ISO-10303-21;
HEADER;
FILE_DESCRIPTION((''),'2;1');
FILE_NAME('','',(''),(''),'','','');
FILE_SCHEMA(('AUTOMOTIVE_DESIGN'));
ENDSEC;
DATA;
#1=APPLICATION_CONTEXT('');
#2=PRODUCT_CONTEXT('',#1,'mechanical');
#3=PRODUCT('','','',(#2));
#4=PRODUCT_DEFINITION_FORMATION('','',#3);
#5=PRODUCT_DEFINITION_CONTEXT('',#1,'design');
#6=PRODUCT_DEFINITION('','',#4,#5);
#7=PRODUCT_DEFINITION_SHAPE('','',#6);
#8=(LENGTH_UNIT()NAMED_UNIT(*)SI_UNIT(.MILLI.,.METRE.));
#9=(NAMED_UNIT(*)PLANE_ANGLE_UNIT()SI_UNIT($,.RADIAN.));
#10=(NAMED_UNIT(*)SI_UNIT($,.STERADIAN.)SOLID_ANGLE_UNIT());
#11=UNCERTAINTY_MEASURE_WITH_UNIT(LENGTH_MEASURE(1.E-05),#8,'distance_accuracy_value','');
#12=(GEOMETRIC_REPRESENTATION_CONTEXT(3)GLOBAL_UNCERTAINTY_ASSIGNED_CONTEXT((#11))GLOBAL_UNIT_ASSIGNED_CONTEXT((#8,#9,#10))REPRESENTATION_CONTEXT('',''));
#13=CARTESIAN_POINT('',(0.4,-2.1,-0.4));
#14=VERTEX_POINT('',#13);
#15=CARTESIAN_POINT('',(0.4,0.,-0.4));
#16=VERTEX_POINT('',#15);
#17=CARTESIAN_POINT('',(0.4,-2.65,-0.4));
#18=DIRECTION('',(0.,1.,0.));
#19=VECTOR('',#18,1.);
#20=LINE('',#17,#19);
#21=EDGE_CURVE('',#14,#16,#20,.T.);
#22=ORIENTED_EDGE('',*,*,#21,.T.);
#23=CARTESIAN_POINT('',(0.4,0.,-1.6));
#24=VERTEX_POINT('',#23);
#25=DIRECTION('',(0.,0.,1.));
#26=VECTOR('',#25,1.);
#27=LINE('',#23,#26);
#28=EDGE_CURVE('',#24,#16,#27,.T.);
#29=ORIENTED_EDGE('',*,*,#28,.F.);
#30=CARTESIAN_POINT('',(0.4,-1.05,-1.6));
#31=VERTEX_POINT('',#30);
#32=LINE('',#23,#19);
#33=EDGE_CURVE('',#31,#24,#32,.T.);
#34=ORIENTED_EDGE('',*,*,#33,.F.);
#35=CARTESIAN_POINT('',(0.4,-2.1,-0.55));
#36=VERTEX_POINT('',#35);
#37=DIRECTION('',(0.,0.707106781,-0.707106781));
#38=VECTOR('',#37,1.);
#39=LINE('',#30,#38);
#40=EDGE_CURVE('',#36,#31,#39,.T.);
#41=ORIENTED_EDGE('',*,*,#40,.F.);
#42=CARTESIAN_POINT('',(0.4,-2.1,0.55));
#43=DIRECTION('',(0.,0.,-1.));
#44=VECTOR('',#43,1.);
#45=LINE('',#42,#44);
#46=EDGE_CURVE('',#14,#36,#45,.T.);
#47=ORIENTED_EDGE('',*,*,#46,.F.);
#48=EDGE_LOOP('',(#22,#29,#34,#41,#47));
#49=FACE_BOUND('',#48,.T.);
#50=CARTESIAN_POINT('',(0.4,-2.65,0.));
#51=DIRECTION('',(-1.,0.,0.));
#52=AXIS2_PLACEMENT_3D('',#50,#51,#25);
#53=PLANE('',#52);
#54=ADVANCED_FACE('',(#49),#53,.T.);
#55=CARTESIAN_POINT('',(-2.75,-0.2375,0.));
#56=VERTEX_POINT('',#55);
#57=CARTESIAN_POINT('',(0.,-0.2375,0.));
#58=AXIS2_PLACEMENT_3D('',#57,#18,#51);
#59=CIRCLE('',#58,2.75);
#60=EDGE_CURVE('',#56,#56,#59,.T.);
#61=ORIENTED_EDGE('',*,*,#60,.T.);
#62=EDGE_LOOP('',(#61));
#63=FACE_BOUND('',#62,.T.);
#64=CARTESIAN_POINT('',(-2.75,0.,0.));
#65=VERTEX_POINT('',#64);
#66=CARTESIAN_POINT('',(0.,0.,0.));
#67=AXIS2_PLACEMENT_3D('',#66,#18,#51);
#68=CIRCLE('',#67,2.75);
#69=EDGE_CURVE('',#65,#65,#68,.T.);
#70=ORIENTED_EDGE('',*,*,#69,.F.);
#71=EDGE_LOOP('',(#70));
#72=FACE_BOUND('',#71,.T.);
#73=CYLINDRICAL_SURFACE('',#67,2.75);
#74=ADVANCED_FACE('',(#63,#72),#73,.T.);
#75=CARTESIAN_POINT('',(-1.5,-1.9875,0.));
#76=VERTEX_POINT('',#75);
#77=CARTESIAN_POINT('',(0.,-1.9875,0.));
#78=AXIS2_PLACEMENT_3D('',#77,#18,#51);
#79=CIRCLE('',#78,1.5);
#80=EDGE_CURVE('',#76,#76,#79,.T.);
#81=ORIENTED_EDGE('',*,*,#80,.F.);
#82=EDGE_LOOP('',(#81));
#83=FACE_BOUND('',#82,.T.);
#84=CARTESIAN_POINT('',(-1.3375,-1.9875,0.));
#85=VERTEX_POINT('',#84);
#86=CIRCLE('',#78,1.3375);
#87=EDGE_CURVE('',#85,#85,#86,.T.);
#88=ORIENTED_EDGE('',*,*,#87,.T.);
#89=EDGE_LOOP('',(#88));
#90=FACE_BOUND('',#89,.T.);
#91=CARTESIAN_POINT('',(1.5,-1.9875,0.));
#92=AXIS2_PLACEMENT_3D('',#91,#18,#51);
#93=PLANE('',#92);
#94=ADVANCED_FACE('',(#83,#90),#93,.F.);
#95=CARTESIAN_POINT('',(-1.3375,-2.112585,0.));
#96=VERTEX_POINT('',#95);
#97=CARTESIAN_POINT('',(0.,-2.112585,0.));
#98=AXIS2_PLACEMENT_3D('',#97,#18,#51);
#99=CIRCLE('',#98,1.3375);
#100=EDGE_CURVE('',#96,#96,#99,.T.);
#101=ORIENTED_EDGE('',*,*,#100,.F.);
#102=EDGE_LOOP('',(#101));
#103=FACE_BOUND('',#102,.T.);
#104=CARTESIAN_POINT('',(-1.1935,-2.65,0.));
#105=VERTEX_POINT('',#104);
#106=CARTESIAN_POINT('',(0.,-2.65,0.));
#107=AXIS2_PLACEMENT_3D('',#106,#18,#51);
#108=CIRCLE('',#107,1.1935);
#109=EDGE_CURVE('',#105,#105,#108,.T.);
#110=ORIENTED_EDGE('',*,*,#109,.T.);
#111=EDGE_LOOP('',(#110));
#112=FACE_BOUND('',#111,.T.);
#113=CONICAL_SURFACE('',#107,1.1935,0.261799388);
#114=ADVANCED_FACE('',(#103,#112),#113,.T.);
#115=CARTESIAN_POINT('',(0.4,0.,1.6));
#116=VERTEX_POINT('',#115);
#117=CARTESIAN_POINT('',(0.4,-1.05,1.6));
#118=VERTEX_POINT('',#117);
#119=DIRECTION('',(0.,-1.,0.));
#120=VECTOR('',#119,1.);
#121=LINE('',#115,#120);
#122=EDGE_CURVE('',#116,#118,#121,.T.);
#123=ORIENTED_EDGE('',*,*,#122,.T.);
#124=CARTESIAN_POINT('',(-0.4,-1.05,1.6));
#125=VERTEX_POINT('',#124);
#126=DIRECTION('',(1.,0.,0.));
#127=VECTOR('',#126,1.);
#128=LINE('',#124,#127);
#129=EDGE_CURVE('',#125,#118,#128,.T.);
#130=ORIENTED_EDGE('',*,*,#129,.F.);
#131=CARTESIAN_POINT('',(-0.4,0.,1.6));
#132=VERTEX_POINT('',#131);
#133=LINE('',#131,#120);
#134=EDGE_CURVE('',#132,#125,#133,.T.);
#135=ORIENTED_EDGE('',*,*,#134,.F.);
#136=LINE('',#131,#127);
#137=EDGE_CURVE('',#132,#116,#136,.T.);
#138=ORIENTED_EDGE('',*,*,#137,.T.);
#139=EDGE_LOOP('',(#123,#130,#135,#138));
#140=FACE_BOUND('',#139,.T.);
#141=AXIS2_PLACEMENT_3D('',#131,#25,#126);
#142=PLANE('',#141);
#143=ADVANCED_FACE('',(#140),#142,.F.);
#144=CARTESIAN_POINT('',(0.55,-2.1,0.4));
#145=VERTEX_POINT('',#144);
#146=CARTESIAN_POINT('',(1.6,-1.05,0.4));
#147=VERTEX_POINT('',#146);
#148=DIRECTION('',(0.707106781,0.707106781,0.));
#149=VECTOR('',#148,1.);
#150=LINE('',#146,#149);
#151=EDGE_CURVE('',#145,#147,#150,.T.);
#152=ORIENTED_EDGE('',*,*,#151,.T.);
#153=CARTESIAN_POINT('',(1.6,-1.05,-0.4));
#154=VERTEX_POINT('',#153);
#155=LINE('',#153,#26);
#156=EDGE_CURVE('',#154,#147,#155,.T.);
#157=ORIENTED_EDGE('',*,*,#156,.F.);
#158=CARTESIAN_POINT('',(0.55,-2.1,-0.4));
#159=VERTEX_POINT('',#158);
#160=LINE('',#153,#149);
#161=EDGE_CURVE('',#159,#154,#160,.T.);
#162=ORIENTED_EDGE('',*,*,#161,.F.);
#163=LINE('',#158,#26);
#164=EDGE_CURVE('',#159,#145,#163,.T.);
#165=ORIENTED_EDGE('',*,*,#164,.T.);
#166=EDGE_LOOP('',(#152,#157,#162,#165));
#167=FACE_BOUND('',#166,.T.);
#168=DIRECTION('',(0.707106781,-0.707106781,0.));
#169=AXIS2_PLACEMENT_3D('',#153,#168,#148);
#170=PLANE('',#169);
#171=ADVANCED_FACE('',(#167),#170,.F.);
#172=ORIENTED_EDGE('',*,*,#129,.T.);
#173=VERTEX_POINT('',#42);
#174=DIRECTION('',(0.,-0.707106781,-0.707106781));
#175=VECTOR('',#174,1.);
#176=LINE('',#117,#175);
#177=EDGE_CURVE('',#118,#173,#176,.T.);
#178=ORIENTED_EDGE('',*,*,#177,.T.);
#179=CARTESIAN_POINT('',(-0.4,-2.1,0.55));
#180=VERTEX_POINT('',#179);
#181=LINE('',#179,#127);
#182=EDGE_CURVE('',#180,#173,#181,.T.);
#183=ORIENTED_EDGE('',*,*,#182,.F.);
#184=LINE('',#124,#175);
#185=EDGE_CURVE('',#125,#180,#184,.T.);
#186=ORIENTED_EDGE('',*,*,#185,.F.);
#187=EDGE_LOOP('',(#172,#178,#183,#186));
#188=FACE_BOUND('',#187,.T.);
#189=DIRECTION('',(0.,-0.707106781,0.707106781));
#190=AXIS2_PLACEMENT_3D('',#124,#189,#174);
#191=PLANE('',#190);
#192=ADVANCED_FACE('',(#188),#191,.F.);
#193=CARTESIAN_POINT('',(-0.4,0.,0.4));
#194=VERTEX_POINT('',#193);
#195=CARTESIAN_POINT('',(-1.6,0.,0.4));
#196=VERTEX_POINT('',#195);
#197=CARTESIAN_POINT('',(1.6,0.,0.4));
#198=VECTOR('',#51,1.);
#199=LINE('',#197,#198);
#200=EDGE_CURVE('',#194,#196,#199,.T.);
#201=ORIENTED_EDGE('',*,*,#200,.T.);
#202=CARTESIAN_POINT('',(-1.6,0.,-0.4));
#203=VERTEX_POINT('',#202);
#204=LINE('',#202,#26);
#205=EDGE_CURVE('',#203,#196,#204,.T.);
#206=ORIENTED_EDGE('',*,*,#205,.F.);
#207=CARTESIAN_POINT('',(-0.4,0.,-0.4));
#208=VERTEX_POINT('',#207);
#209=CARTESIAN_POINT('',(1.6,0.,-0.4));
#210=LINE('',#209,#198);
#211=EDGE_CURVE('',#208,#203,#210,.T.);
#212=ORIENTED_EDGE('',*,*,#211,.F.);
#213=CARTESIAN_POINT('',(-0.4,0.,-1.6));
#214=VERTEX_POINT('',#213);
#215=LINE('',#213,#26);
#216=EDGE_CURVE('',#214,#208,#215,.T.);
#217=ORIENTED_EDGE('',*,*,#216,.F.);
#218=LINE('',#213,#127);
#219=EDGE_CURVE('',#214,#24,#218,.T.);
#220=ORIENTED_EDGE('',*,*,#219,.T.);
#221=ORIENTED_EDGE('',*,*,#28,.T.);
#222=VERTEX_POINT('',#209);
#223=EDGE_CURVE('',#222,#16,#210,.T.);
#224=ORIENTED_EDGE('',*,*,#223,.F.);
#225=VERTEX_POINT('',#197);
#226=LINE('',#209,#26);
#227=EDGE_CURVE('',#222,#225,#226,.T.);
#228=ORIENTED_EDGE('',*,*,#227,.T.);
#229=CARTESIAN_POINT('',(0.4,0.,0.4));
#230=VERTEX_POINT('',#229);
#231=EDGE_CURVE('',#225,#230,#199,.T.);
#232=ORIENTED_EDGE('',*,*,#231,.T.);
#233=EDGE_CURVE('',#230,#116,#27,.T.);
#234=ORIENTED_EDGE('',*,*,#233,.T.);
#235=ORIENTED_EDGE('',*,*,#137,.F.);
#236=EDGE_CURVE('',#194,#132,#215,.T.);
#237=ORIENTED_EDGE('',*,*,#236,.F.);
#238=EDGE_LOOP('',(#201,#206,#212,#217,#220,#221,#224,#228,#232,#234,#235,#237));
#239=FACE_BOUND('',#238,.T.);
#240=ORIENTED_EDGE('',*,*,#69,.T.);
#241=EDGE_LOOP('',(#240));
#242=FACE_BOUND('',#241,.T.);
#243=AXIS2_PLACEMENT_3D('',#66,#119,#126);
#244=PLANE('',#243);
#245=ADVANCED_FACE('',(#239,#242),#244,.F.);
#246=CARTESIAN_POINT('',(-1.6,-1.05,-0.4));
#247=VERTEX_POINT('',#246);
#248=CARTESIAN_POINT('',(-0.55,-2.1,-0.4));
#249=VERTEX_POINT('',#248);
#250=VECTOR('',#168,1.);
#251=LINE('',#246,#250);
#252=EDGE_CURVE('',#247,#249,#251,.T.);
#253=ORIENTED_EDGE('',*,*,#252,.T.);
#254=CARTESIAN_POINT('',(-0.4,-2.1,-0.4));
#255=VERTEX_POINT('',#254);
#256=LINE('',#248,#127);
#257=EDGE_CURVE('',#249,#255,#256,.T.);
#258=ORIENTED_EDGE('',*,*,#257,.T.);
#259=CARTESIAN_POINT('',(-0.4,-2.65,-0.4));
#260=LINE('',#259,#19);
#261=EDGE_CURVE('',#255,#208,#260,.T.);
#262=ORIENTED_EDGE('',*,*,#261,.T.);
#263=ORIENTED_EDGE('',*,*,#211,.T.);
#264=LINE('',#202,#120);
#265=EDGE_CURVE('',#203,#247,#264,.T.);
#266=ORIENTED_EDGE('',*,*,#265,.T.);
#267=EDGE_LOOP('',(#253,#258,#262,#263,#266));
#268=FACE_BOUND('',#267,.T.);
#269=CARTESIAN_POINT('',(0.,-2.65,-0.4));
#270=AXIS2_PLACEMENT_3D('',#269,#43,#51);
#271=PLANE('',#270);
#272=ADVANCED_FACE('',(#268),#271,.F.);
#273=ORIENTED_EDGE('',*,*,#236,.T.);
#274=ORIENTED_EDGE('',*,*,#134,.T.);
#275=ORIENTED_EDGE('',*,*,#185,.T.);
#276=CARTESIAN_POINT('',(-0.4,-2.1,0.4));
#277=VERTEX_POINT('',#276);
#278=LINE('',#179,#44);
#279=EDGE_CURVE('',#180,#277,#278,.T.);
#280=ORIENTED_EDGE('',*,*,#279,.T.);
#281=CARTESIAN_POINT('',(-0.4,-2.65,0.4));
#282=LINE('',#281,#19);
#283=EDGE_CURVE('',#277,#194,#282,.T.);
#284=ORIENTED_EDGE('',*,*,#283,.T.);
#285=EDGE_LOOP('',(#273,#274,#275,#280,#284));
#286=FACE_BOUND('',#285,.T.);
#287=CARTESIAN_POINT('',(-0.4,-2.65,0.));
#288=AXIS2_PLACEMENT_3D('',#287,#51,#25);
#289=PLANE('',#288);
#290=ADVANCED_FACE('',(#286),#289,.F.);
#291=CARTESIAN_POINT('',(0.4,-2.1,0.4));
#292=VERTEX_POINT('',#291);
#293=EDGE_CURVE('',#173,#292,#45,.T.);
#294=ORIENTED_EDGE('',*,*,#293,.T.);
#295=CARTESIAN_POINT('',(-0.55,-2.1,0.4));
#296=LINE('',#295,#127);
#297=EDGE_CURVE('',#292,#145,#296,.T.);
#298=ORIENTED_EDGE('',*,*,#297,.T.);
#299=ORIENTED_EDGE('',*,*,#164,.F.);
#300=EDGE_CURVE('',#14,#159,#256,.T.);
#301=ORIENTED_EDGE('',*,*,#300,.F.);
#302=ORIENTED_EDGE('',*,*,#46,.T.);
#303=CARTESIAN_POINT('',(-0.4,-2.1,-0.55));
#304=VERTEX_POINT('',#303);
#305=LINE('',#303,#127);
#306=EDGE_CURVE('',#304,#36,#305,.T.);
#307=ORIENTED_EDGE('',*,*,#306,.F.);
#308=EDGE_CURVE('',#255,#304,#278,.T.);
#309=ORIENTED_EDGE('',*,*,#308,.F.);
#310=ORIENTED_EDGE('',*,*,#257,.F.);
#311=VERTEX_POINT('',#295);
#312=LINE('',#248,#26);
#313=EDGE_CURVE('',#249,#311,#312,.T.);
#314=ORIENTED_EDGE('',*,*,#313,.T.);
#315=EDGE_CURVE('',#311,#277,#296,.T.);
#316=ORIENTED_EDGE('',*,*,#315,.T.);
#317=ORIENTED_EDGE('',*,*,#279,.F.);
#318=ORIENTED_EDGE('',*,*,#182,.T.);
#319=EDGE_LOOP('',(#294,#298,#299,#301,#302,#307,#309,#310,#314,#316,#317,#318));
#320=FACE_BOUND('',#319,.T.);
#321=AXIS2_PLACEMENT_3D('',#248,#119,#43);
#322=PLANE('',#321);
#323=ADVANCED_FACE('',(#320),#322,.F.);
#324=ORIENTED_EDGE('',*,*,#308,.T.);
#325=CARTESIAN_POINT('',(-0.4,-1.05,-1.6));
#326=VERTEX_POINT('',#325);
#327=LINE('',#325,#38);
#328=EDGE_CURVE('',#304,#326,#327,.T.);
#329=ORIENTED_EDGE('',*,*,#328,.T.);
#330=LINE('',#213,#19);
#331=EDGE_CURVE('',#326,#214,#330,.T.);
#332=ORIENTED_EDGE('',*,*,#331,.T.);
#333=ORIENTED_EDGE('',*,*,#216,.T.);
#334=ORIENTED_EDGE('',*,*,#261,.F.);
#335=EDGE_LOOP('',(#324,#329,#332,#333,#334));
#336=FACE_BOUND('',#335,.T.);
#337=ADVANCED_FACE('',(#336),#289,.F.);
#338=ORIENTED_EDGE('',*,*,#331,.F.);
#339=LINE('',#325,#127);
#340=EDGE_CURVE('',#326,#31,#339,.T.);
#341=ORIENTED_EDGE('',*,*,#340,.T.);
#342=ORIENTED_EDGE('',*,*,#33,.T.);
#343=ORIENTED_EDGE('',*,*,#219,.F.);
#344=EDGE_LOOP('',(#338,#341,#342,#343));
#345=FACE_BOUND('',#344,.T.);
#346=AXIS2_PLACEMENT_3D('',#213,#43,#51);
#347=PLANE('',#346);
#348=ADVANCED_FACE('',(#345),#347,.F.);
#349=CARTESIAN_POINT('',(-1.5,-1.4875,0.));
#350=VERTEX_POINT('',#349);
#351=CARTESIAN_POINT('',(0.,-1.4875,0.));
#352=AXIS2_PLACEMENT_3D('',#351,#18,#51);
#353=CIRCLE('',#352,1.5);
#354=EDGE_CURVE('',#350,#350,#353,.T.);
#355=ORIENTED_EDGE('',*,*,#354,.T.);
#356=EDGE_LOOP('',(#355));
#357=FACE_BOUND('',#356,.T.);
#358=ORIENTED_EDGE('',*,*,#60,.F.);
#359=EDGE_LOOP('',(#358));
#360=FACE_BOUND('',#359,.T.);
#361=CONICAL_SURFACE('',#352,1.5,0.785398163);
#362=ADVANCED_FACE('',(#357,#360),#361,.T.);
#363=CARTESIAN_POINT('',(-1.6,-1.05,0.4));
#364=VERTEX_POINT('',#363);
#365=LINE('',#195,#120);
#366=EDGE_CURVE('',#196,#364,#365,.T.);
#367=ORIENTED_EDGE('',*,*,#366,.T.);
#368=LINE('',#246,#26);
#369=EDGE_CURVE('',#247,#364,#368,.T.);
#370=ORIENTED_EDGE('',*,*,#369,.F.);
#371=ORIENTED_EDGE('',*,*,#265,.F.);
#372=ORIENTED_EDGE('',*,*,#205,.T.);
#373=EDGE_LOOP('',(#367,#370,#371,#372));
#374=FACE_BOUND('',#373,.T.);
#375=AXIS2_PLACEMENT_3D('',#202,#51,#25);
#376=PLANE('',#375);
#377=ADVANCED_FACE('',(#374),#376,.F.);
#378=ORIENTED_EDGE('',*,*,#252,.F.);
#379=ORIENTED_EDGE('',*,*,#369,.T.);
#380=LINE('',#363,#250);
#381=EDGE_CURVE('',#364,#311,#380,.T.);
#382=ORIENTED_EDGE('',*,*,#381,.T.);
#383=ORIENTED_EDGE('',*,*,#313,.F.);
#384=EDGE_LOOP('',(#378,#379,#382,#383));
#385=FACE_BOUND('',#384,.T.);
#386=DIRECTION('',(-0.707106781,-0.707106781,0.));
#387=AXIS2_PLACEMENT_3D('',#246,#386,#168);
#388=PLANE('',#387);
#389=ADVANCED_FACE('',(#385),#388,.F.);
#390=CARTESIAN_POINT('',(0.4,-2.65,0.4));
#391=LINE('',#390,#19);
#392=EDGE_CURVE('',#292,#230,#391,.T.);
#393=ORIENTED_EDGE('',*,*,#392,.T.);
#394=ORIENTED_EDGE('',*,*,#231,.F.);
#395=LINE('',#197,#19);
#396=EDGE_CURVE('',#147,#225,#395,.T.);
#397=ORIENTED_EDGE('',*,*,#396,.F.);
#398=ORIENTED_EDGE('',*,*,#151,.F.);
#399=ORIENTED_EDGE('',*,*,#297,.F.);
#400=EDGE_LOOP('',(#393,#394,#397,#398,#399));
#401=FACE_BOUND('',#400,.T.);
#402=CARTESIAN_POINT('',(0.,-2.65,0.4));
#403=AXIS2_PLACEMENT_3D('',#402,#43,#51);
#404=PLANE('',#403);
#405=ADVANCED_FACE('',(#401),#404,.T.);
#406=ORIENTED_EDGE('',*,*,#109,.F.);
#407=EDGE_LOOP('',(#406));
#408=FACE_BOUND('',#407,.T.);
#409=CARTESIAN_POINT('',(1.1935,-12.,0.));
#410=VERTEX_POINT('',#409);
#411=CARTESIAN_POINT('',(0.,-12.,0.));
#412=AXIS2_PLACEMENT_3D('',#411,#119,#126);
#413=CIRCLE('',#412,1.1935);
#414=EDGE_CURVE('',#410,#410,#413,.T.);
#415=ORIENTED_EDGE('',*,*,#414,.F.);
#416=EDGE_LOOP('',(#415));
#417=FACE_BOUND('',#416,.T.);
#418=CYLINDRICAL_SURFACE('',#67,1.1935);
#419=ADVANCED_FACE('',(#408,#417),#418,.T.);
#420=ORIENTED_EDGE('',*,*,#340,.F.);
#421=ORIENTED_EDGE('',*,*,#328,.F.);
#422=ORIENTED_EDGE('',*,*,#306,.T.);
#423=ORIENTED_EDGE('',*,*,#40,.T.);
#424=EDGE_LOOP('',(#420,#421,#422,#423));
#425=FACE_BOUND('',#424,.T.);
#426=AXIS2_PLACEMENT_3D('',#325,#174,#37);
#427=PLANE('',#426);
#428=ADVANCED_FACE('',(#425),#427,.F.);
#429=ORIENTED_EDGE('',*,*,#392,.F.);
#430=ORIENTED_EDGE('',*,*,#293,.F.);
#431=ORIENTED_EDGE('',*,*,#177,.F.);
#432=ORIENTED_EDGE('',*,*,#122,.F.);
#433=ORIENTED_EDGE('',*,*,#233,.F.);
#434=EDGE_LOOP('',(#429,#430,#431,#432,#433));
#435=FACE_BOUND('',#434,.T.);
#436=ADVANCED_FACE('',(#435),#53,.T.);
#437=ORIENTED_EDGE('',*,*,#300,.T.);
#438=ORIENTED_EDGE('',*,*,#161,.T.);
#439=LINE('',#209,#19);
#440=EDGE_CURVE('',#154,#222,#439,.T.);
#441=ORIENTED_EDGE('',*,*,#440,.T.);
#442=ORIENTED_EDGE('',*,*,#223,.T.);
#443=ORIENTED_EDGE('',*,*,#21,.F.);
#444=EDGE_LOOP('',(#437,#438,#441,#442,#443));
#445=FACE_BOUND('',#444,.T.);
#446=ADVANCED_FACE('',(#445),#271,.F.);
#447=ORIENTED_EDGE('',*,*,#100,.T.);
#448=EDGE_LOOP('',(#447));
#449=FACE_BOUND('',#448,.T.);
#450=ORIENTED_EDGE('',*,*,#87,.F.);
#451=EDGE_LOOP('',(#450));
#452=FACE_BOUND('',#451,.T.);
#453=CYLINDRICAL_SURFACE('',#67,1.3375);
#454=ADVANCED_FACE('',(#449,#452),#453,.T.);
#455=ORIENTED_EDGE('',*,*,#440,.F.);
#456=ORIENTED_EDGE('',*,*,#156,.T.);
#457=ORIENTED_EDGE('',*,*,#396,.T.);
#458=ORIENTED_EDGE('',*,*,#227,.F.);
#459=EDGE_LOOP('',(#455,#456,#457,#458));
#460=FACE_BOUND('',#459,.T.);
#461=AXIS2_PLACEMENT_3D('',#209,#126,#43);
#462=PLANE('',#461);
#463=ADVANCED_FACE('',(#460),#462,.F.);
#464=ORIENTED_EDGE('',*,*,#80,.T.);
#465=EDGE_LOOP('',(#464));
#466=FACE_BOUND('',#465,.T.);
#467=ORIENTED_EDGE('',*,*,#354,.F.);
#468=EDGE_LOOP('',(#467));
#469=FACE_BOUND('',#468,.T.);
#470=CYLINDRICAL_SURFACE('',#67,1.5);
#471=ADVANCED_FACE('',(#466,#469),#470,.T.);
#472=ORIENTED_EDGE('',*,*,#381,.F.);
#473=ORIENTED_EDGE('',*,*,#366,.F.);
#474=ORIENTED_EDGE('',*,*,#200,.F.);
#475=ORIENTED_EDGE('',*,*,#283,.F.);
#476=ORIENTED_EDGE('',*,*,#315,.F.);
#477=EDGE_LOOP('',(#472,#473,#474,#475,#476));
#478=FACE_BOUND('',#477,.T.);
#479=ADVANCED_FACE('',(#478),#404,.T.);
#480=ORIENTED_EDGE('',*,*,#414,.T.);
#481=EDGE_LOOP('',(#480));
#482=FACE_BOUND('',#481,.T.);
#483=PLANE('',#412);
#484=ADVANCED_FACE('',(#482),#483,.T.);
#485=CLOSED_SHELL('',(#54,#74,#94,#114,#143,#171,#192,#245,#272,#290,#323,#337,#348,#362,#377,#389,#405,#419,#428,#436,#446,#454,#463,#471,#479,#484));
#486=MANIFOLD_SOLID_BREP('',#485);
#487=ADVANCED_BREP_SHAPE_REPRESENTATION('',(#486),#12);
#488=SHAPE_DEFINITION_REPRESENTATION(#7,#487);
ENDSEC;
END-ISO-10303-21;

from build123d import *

# Parameters (mm, degrees)
KREUZSCHLITZ1_H_DEPTH      = 0.4
KREUZSCHLITZ1_H_DEPTH_BACK = 0.4
KREUZSCHLITZ2_H_DEPTH      = 0.4
KREUZSCHLITZ2_H_DEPTH_BACK = 0.4
BOSS_EXTRUDE1_START        = 4
SKETCH1_R                  = 1.1935
BOSS_EXTRUDE1_DEPTH        = 4


with BuildPart() as part:
    # Skizze1 → Basis-Rotation (revolve)
    with BuildSketch(Plane.XY, mode=Mode.PRIVATE) as basis_rotation_sk:
        Polygon((0, 0), (2.75, 0), (2.75, -0.2375), (1.5, -1.4875), (1.5, -1.9875), (1.3375, -1.9875), (1.3375, -2.112584684), (1.1935, -2.65), (1.1935, -8), (0, -8), align=None)
    revolve(basis_rotation_sk.sketch.rotate(Axis((0, 0, 0), (0, -1, 0)), 180), axis=Axis((0, 0, 0), (0, -1, 0)))

    # Skizze2 → Kreuzschlitz1 H (cut, two sides: drawn at the far end of the back side and taken through both)
    with BuildSketch(Plane.XY.offset(-KREUZSCHLITZ1_H_DEPTH_BACK)):
        Polygon((-0.55, -2.1), (0.55, -2.1), (1.6, -1.05), (1.6, 0), (-1.6, 0), (-1.6, -1.05), align=None)
    extrude(amount=KREUZSCHLITZ1_H_DEPTH + KREUZSCHLITZ1_H_DEPTH_BACK, mode=Mode.SUBTRACT)

    # Skizze3 → Kreuzschlitz2 H (cut, two sides: drawn at the far end of the back side and taken through both)
    with BuildSketch(Plane(origin=(0, 0, 0), x_dir=(0, 0, -1), z_dir=(1, 0, 0)).offset(-KREUZSCHLITZ2_H_DEPTH_BACK)):
        Polygon((-0.55, -2.1), (0.55, -2.1), (1.6, -1.05), (1.6, 0), (-1.6, 0), (-1.6, -1.05), align=None)
    extrude(amount=KREUZSCHLITZ2_H_DEPTH + KREUZSCHLITZ2_H_DEPTH_BACK, mode=Mode.SUBTRACT)

    # Sketch1 → Boss-Extrude1 (add)
    with BuildSketch(Plane.XZ.offset(8).offset(BOSS_EXTRUDE1_START)):
        with Locations(Location((0, 0, 0), (0, 0, 180))):
            Circle(SKETCH1_R)
    extrude(amount=-BOSS_EXTRUDE1_DEPTH)


solid = part.part
